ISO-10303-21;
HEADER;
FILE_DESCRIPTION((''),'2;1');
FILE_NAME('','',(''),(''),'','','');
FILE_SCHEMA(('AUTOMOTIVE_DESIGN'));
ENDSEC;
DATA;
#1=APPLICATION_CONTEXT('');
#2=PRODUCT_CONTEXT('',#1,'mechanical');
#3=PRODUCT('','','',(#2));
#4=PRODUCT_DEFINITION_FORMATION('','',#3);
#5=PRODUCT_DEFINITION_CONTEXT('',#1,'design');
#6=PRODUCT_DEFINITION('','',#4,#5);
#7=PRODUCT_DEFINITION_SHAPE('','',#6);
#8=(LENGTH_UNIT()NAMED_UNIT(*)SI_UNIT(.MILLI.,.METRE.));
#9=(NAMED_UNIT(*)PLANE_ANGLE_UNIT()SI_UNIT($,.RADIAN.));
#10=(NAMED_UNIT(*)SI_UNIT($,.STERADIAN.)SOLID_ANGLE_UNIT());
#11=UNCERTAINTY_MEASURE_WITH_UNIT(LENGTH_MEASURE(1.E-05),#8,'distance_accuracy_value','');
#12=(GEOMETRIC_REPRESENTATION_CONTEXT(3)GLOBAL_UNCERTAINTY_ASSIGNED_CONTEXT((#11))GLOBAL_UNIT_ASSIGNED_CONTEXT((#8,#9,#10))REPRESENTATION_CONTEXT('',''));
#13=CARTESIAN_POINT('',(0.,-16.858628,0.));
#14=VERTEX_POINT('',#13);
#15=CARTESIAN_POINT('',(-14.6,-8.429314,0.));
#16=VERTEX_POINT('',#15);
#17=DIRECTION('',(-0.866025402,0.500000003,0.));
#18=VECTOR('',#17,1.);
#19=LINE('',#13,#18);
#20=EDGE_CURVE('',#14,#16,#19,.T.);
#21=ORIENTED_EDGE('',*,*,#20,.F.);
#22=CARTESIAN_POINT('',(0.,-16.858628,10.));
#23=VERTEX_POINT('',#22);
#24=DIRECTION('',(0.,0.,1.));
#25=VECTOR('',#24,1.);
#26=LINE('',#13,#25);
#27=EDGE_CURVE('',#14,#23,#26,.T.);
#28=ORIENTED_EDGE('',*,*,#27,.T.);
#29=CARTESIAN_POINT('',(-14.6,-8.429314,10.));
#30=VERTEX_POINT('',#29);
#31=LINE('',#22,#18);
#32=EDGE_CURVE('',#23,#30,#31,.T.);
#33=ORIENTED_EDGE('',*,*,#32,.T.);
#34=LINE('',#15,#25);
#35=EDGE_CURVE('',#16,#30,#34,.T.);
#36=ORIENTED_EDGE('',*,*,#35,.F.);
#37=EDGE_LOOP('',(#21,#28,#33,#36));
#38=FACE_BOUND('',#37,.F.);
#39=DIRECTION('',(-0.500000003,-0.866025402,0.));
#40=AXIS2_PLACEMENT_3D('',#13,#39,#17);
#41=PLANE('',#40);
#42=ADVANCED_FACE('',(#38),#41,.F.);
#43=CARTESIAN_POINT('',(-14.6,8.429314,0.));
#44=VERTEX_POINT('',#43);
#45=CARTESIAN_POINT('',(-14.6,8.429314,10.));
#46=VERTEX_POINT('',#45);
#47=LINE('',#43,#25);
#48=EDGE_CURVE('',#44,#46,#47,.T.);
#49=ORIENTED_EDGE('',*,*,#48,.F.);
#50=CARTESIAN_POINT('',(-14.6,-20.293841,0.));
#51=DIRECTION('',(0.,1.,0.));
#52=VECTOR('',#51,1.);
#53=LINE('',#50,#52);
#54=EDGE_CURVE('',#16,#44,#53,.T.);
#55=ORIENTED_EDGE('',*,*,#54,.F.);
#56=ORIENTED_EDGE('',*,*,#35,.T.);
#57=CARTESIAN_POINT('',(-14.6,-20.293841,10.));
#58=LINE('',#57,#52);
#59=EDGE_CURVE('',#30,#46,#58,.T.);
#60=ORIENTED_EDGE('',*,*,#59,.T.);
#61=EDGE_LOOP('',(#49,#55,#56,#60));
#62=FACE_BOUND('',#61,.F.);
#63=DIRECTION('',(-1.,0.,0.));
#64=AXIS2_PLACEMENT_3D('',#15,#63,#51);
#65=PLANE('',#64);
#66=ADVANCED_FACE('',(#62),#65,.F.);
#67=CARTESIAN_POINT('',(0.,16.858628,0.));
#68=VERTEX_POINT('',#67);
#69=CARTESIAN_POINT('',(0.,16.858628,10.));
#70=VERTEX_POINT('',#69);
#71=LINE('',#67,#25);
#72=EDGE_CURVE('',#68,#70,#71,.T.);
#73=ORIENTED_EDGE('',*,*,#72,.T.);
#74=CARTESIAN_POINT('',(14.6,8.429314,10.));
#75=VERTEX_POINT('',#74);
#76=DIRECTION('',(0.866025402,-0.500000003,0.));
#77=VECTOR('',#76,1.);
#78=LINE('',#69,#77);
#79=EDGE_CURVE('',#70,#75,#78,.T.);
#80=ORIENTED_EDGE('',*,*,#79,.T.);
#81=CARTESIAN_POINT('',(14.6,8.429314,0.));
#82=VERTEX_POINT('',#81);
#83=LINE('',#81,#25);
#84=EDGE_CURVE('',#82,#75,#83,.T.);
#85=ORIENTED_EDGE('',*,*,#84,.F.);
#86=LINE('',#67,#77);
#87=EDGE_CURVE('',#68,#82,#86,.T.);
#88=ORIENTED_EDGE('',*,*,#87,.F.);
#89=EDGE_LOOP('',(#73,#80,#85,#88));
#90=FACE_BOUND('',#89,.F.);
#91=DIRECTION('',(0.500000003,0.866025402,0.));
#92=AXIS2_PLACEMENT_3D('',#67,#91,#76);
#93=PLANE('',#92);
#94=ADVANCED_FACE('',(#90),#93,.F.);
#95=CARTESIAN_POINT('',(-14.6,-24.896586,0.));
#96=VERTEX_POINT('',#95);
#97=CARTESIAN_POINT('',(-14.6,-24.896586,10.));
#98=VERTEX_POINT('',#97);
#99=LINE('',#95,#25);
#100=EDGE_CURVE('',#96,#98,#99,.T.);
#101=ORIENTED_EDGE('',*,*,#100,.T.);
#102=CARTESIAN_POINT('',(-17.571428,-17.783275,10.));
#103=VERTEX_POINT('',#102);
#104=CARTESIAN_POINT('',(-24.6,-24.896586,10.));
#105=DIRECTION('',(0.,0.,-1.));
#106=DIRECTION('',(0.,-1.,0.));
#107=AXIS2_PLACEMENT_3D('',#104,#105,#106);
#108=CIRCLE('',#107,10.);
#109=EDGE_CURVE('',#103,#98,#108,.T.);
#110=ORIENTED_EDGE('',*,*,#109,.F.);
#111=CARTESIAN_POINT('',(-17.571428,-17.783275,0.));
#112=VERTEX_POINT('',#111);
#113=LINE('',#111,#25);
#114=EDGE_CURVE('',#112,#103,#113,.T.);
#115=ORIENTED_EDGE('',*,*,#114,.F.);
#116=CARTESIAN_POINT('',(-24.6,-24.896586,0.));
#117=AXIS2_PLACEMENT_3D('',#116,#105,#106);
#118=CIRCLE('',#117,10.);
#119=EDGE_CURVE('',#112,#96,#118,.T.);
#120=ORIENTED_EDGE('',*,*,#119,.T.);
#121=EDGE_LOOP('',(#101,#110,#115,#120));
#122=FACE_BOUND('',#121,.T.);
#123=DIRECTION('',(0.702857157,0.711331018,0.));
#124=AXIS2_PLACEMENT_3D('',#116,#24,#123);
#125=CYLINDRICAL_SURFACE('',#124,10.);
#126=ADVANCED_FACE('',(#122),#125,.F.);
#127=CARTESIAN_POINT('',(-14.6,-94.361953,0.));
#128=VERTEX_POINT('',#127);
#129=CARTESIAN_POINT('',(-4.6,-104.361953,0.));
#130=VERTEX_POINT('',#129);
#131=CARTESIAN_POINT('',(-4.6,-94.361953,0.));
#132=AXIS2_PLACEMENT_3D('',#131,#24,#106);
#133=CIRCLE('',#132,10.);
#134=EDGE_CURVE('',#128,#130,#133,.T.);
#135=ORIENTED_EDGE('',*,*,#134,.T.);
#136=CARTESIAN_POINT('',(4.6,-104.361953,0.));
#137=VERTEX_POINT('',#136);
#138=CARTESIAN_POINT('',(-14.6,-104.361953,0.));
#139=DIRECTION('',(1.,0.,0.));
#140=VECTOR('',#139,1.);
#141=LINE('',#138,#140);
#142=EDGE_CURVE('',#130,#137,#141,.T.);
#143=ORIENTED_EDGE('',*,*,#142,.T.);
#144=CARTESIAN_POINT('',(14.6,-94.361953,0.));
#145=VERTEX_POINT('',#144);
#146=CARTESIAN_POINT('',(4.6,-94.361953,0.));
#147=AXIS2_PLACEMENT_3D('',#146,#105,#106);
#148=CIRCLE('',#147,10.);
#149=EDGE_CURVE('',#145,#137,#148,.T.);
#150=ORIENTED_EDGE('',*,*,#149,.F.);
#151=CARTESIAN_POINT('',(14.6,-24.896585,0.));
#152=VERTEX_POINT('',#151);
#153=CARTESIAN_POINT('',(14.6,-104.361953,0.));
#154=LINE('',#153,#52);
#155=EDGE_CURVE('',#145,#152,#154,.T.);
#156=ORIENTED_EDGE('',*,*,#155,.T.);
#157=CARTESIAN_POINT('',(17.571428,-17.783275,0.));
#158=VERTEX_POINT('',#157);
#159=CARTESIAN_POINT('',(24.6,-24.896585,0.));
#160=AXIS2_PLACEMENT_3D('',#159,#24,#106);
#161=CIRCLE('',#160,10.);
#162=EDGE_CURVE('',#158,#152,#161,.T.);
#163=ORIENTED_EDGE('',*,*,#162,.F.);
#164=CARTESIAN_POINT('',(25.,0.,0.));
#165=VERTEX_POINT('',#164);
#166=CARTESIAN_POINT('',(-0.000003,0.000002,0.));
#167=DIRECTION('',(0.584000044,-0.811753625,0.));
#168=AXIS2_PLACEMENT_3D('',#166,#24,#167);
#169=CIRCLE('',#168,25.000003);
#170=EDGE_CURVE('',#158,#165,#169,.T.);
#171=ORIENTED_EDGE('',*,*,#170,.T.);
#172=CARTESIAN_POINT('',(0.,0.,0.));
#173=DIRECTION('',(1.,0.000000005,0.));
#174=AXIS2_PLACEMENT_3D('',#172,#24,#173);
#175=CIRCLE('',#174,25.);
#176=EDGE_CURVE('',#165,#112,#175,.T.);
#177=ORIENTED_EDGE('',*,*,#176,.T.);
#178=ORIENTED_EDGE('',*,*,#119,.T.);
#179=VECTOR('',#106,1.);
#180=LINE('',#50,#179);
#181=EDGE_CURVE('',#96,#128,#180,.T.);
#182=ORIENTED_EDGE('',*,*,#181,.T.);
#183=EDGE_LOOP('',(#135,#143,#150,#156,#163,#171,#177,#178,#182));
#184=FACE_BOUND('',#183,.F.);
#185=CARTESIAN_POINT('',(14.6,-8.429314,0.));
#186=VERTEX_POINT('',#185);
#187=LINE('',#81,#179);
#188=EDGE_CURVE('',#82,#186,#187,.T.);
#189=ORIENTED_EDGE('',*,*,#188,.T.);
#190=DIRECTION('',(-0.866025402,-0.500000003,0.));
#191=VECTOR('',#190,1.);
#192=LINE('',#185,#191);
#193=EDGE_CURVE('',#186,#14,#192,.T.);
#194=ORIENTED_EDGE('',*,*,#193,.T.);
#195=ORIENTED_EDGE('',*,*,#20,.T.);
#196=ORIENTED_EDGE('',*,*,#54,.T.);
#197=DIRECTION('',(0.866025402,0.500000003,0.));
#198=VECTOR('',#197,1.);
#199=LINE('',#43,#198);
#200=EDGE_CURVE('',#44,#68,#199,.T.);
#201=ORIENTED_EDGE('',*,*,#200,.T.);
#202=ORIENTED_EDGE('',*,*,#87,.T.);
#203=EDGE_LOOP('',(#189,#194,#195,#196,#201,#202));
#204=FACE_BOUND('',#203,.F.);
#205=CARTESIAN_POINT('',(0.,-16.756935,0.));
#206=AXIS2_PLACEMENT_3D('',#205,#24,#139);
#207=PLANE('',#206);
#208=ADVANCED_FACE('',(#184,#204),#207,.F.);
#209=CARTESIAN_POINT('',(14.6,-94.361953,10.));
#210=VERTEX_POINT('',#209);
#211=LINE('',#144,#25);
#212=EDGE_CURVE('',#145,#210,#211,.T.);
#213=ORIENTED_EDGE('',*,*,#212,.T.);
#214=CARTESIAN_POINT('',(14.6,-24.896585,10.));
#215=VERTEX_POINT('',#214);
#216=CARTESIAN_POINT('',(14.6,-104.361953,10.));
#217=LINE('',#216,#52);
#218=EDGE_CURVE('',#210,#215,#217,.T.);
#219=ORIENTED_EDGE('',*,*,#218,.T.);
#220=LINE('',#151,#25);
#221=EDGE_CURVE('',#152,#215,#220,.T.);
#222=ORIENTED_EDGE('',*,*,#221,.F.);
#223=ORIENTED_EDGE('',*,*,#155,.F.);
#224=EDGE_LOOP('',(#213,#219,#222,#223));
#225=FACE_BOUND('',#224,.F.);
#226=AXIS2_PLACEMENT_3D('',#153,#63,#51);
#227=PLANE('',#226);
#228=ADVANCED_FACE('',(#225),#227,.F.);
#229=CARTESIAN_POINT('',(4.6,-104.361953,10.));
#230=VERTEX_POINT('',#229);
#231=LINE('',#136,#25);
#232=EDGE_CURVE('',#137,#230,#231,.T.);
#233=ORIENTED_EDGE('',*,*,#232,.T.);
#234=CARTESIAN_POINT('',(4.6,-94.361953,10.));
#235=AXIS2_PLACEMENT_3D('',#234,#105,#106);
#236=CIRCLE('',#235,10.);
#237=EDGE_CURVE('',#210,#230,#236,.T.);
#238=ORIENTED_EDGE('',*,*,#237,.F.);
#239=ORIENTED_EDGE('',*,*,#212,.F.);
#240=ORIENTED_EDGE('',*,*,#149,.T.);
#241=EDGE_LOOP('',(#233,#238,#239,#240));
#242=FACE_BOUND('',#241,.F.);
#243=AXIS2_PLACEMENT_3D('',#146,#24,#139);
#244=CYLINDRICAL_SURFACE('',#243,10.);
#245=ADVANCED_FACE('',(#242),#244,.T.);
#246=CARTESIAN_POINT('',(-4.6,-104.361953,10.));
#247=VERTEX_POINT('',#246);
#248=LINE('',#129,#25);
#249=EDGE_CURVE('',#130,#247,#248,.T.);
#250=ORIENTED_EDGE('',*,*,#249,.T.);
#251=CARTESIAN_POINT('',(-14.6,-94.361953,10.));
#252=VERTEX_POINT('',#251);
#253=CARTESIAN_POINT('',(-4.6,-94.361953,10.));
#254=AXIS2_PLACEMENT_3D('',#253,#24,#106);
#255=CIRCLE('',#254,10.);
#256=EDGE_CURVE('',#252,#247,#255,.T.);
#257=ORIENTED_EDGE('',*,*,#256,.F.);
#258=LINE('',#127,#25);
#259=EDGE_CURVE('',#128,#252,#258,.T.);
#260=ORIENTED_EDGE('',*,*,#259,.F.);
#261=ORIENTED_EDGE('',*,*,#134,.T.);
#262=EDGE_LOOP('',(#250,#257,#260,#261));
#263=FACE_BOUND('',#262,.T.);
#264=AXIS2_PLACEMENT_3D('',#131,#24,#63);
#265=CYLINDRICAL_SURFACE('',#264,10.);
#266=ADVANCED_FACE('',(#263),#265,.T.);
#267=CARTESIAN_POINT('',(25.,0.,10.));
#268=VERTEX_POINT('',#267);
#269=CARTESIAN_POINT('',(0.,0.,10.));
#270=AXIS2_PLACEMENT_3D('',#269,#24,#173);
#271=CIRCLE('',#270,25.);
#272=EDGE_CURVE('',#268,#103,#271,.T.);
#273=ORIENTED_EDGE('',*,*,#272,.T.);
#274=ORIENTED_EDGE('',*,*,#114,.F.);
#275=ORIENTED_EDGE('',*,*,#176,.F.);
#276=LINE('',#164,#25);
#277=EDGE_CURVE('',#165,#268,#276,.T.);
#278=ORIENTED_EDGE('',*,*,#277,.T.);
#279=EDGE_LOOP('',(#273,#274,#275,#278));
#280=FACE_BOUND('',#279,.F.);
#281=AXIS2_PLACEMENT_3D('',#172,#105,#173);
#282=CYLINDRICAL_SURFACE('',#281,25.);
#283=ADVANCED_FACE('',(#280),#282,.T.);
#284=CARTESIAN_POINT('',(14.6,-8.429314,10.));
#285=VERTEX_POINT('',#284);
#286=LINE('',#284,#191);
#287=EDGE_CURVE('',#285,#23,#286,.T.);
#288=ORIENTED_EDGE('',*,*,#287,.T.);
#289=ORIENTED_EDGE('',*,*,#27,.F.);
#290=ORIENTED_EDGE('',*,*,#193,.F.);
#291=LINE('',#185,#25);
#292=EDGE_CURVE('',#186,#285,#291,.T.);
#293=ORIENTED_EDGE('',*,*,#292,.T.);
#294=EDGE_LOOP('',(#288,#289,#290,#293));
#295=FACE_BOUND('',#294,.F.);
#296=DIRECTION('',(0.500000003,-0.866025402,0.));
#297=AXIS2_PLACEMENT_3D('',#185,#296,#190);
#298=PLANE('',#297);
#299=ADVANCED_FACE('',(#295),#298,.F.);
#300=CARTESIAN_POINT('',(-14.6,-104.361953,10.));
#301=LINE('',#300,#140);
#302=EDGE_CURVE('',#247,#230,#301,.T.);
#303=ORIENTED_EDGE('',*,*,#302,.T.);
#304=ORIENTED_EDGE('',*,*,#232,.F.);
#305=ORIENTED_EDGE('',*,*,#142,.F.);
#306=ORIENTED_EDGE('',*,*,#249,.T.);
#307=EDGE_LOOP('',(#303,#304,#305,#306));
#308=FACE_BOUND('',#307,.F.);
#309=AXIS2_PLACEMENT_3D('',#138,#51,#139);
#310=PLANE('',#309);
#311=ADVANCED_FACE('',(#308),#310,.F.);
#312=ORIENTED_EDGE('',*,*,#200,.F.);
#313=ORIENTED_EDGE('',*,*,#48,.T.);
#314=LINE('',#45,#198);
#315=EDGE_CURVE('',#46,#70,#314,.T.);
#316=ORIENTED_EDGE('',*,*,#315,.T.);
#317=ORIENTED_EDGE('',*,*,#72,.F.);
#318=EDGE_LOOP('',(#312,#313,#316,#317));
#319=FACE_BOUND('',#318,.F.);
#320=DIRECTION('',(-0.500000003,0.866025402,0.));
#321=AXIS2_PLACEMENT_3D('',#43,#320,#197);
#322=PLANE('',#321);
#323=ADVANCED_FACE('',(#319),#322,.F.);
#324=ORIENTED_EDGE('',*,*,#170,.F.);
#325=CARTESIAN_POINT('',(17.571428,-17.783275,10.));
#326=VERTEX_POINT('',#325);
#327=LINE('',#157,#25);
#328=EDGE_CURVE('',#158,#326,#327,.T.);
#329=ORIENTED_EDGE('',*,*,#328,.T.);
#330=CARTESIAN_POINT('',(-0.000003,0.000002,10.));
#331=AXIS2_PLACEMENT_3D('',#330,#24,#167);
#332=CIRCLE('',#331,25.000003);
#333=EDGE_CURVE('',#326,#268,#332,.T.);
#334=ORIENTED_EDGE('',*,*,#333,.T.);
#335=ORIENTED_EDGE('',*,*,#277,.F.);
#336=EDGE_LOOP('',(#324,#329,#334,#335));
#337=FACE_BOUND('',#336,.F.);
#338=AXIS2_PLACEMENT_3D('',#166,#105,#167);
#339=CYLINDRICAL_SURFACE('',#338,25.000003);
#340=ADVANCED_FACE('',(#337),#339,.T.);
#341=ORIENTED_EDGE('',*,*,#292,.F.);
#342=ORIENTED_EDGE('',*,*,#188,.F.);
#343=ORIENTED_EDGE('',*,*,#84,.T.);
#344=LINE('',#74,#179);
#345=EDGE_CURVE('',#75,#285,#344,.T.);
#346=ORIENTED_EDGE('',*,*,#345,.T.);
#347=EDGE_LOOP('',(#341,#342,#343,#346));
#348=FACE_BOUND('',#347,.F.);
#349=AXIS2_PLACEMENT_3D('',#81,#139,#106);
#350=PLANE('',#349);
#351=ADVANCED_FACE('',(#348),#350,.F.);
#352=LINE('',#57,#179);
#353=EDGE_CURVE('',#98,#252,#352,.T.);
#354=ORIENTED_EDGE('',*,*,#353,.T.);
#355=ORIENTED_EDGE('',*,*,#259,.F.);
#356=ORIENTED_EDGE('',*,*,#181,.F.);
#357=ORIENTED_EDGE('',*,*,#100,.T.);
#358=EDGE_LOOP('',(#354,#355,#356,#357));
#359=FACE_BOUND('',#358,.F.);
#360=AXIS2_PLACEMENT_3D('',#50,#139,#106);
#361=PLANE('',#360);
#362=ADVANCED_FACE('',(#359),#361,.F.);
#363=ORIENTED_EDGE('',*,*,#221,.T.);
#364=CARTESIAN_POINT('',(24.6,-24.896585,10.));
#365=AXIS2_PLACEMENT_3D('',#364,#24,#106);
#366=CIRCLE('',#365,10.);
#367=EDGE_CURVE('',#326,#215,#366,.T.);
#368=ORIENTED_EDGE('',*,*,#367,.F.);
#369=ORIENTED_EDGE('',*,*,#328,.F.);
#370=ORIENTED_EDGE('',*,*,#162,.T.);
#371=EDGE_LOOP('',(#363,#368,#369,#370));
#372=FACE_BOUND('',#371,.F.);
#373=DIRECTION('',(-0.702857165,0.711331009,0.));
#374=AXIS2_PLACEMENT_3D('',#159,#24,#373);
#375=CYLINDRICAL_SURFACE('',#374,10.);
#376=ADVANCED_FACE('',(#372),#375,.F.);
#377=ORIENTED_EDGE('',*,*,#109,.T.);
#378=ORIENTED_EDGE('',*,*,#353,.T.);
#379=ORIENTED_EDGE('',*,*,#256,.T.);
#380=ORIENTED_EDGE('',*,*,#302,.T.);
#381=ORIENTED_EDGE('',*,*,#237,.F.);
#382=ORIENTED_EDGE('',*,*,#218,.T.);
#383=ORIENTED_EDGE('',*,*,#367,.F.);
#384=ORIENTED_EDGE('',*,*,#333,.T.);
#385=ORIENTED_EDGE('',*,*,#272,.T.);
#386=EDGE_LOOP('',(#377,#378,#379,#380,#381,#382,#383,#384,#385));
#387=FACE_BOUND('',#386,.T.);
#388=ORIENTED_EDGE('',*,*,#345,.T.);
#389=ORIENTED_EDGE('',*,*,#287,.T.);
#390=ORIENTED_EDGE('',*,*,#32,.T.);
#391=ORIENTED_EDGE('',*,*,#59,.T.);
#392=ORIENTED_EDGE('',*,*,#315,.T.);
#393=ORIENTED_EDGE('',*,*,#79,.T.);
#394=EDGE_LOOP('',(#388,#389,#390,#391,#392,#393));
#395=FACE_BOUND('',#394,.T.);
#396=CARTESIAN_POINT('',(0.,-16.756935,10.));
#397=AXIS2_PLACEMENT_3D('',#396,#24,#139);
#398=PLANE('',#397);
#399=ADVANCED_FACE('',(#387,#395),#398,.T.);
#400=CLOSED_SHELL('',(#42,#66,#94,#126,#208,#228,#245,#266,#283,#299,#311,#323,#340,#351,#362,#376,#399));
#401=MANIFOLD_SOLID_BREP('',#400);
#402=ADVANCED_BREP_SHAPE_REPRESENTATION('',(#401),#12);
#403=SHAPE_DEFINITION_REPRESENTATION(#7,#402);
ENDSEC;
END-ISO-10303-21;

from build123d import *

# Parameters (mm, degrees)
F1_DEPTH = 10
F2_R     = 10
F3_R     = 10


with BuildPart() as f1:
    # F0 (on Top) → F1 (new body)
    with BuildSketch(Plane.XY):
        with BuildLine():
            Line((-14.6, -8.429314), (-14.6, -20.293841))
            ThreePointArc((-14.6, -20.293841), (0, -25), (14.6, -20.293841))
            Line((14.6, -20.293841), (14.6, -8.429314))
            Line((14.6, -8.429314), (0, -16.858628))
            Line((0, -16.858628), (-14.6, -8.429314))
        make_face()
        with BuildLine():
            ThreePointArc((14.6, -20.293841), (22.248595, -11.401754), (25, 0))
            ThreePointArc((25, 0), (-11.401754, 22.248595), (-14.6, -20.293841))
            Line((-14.6, -20.293841), (-14.6, -8.429314))
            Line((-14.6, -8.429314), (-14.6, 8.429314))
            Line((-14.6, 8.429314), (0, 16.858628))
            Line((0, 16.858628), (14.6, 8.429314))
            Line((14.6, 8.429314), (14.6, -8.429314))
            Line((14.6, -8.429314), (14.6, -20.293841))
        make_face()
        with BuildLine():
            ThreePointArc((14.6, -20.293841), (0, -25), (-14.6, -20.293841))
            Line((-14.6, -20.293841), (-14.6, -104.361953))
            Line((-14.6, -104.361953), (14.6, -104.361953))
            Line((14.6, -104.361953), (14.6, -20.293841))
        make_face()
    extrude(amount=F1_DEPTH)

    # F2
    f2_edges = [f1.edges().sort_by_distance(p)[0] for p in [
        (14.6, -20.293841, 5),
    ]]
    fillet(f2_edges, radius=F2_R)

    # F3
    f3_edges = [f1.edges().sort_by_distance(p)[0] for p in [
        (-14.6, -20.293841, 5),
        (-14.6, -104.361953, 5),
        (14.6, -104.361953, 5),
    ]]
    fillet(f3_edges, radius=F3_R)


solid = f1.part
